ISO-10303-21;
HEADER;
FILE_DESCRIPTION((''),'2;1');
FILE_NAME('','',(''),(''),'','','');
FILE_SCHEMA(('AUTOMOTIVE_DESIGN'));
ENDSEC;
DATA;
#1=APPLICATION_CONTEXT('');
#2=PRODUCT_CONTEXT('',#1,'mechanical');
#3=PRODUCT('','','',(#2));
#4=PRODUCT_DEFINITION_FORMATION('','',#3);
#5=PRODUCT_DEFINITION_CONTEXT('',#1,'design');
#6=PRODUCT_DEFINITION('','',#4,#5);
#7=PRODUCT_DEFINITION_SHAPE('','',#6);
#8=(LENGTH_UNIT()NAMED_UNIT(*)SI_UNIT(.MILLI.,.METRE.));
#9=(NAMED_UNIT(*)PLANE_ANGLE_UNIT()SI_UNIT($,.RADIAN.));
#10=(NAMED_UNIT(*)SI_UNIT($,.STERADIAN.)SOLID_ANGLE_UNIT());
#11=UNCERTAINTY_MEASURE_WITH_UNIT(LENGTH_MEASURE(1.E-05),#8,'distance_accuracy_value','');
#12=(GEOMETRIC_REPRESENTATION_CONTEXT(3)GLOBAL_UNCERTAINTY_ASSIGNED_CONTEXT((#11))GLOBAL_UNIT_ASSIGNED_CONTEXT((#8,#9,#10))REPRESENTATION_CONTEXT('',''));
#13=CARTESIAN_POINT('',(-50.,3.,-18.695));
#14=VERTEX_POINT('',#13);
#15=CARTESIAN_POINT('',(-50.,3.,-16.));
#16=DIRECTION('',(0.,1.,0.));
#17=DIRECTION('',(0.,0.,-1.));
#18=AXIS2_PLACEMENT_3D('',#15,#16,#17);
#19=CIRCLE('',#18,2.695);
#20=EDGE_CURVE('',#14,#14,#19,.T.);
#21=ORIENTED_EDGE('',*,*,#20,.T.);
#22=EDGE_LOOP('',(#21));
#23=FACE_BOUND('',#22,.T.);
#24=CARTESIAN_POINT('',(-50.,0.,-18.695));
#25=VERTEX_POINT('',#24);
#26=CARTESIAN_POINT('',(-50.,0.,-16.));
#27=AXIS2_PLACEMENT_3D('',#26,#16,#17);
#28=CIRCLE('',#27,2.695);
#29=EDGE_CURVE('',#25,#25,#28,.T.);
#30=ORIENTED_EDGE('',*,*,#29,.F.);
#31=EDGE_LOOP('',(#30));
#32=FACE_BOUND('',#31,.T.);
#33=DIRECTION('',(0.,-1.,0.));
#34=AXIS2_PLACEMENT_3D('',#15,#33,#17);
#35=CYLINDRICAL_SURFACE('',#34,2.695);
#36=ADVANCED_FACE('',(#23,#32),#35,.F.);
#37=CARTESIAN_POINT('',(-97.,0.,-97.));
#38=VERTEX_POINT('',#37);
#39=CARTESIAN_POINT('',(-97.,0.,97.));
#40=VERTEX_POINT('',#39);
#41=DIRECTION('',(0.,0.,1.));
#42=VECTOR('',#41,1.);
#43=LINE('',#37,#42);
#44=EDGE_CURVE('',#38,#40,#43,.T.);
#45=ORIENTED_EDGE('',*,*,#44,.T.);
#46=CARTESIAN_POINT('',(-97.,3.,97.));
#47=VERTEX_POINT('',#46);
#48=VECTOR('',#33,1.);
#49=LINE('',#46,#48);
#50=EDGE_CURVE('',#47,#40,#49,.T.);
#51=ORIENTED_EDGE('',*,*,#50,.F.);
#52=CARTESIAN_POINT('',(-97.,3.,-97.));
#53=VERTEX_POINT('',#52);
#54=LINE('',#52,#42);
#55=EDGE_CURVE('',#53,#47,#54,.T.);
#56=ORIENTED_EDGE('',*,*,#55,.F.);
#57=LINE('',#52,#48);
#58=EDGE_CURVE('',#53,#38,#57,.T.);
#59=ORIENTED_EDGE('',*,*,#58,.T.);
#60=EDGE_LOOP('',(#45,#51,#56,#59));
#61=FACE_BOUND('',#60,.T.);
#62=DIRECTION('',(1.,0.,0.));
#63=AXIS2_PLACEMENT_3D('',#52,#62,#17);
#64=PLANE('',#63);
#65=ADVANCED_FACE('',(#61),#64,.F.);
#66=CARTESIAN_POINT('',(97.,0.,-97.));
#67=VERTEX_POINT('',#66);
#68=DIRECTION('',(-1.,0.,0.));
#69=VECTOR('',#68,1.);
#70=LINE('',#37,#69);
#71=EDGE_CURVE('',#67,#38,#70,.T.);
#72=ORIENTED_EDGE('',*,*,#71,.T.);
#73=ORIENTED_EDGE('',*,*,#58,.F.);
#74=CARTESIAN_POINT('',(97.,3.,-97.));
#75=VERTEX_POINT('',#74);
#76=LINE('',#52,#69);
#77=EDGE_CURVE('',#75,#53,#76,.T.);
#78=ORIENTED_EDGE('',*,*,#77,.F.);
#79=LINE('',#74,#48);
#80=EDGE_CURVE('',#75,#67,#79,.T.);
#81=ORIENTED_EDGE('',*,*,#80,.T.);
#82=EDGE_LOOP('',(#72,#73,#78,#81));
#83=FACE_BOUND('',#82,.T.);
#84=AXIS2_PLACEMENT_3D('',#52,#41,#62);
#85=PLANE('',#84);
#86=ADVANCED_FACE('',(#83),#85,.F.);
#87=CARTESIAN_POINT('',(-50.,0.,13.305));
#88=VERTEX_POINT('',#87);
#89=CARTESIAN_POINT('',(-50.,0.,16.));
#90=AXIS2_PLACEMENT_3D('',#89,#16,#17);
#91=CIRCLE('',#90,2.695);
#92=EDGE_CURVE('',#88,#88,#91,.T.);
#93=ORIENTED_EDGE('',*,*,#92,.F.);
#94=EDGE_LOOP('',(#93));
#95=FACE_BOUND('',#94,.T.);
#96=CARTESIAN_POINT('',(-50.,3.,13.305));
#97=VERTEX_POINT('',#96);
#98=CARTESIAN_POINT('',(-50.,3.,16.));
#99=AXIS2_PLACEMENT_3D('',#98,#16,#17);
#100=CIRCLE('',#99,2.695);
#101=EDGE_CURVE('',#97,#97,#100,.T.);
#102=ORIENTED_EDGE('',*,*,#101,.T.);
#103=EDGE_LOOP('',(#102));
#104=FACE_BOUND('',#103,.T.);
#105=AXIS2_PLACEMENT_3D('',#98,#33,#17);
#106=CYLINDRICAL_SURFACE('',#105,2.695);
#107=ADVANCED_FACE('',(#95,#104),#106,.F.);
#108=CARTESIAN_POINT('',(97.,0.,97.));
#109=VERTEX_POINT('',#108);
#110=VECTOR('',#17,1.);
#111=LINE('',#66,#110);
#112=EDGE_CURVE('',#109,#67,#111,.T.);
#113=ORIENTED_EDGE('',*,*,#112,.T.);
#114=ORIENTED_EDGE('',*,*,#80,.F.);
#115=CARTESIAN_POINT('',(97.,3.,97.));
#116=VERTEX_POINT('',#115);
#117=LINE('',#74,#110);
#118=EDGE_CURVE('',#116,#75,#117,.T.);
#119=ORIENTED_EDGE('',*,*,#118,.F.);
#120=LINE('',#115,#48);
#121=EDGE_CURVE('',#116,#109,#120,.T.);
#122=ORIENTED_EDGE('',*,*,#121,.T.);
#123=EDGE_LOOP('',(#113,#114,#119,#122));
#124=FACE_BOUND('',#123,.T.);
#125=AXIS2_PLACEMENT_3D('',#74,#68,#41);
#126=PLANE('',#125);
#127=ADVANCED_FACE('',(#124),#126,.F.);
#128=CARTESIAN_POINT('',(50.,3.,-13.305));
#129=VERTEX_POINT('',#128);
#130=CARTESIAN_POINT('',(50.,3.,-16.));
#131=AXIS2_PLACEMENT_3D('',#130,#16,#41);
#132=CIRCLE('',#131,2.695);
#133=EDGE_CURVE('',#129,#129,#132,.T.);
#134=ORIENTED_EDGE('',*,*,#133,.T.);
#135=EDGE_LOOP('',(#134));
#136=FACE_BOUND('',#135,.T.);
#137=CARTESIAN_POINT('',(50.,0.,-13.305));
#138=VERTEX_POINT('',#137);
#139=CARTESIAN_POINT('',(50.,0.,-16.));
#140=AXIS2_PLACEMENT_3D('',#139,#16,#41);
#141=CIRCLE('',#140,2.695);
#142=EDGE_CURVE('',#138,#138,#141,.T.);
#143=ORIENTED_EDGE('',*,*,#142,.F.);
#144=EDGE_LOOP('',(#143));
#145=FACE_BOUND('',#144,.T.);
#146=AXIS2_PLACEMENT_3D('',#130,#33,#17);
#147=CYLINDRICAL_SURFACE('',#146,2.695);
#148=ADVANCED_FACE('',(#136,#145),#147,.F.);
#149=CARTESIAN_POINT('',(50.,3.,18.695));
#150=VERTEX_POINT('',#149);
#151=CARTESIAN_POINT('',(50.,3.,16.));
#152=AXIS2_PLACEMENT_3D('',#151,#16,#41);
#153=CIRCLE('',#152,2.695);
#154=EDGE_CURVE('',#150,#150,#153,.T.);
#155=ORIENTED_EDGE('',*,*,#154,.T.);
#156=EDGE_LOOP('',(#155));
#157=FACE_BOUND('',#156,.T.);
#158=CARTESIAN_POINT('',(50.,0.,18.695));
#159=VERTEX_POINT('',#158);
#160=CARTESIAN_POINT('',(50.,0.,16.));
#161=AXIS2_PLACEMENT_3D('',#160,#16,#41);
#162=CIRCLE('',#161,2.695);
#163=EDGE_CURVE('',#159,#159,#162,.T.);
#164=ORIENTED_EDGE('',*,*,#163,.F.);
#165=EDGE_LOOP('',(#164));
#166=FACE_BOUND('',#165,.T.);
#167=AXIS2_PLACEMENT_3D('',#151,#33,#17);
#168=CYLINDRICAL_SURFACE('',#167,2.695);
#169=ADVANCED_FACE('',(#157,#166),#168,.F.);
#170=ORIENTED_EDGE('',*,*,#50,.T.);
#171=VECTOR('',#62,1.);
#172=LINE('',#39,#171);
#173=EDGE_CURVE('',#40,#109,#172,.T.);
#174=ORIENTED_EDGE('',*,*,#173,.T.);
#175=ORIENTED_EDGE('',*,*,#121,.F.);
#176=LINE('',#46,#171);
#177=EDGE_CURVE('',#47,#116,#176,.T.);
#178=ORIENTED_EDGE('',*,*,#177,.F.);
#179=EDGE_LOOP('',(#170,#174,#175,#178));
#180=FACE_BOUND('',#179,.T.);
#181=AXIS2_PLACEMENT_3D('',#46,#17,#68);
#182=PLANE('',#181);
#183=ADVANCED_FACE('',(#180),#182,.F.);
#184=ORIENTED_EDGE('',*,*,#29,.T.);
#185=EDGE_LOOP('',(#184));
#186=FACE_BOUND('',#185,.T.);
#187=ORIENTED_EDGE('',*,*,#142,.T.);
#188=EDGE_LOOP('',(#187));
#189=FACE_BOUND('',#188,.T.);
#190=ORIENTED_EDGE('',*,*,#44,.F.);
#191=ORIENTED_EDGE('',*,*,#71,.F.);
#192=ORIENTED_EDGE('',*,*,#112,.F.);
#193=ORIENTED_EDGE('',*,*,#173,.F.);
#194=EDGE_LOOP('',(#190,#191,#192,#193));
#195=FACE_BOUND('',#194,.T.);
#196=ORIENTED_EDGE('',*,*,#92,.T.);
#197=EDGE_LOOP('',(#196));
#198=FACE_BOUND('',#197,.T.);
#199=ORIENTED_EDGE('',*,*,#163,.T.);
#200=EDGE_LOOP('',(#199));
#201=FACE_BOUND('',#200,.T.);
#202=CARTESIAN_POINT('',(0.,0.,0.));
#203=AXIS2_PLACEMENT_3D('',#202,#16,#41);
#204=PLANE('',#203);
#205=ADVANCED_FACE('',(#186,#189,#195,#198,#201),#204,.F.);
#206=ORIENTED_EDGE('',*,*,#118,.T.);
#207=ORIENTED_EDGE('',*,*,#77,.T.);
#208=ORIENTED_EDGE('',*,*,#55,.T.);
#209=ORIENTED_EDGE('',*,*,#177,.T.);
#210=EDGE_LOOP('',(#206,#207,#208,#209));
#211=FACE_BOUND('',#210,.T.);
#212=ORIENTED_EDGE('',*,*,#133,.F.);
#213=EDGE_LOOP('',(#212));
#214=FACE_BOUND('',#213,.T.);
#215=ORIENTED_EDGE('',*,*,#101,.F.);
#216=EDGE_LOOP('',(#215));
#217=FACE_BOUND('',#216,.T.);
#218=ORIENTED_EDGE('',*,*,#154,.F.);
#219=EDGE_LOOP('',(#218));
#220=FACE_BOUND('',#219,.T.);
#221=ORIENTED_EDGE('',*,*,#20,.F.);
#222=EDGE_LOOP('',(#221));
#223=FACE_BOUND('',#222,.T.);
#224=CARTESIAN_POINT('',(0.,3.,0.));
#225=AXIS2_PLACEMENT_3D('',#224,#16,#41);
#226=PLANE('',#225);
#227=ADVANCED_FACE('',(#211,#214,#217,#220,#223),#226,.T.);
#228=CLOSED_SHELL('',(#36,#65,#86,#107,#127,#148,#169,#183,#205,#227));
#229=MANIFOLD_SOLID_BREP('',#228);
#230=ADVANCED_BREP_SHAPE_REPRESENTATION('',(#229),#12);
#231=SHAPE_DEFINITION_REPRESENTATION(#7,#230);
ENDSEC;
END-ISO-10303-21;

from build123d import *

# Parameters (mm, degrees)
SKETCH_1_W      = 194
SKETCH_1_H      = 194
SKETCH_1_R      = 2.695
EXTRUDE_1_DEPTH = 3


with BuildPart() as part:
    # 草图1 → 凸台-拉伸1 (new body)
    with BuildSketch(Plane(origin=(0, 0, 0), x_dir=(1, 0, 0), z_dir=(0, 1, 0))):
        Rectangle(SKETCH_1_W, SKETCH_1_H)
        with Locations(Location((50, 16, 0), (0, 0, 270))):
            Circle(SKETCH_1_R, mode=Mode.SUBTRACT)
        with Locations(Location((50, -16, 0), (0, 0, 270))):
            Circle(SKETCH_1_R, mode=Mode.SUBTRACT)
        with Locations(Location((-50, -16, 0), (0, 0, 90))):
            Circle(SKETCH_1_R, mode=Mode.SUBTRACT)
        with Locations(Location((-50, 16, 0), (0, 0, 90))):
            Circle(SKETCH_1_R, mode=Mode.SUBTRACT)
    extrude(amount=EXTRUDE_1_DEPTH)


solid = part.part
